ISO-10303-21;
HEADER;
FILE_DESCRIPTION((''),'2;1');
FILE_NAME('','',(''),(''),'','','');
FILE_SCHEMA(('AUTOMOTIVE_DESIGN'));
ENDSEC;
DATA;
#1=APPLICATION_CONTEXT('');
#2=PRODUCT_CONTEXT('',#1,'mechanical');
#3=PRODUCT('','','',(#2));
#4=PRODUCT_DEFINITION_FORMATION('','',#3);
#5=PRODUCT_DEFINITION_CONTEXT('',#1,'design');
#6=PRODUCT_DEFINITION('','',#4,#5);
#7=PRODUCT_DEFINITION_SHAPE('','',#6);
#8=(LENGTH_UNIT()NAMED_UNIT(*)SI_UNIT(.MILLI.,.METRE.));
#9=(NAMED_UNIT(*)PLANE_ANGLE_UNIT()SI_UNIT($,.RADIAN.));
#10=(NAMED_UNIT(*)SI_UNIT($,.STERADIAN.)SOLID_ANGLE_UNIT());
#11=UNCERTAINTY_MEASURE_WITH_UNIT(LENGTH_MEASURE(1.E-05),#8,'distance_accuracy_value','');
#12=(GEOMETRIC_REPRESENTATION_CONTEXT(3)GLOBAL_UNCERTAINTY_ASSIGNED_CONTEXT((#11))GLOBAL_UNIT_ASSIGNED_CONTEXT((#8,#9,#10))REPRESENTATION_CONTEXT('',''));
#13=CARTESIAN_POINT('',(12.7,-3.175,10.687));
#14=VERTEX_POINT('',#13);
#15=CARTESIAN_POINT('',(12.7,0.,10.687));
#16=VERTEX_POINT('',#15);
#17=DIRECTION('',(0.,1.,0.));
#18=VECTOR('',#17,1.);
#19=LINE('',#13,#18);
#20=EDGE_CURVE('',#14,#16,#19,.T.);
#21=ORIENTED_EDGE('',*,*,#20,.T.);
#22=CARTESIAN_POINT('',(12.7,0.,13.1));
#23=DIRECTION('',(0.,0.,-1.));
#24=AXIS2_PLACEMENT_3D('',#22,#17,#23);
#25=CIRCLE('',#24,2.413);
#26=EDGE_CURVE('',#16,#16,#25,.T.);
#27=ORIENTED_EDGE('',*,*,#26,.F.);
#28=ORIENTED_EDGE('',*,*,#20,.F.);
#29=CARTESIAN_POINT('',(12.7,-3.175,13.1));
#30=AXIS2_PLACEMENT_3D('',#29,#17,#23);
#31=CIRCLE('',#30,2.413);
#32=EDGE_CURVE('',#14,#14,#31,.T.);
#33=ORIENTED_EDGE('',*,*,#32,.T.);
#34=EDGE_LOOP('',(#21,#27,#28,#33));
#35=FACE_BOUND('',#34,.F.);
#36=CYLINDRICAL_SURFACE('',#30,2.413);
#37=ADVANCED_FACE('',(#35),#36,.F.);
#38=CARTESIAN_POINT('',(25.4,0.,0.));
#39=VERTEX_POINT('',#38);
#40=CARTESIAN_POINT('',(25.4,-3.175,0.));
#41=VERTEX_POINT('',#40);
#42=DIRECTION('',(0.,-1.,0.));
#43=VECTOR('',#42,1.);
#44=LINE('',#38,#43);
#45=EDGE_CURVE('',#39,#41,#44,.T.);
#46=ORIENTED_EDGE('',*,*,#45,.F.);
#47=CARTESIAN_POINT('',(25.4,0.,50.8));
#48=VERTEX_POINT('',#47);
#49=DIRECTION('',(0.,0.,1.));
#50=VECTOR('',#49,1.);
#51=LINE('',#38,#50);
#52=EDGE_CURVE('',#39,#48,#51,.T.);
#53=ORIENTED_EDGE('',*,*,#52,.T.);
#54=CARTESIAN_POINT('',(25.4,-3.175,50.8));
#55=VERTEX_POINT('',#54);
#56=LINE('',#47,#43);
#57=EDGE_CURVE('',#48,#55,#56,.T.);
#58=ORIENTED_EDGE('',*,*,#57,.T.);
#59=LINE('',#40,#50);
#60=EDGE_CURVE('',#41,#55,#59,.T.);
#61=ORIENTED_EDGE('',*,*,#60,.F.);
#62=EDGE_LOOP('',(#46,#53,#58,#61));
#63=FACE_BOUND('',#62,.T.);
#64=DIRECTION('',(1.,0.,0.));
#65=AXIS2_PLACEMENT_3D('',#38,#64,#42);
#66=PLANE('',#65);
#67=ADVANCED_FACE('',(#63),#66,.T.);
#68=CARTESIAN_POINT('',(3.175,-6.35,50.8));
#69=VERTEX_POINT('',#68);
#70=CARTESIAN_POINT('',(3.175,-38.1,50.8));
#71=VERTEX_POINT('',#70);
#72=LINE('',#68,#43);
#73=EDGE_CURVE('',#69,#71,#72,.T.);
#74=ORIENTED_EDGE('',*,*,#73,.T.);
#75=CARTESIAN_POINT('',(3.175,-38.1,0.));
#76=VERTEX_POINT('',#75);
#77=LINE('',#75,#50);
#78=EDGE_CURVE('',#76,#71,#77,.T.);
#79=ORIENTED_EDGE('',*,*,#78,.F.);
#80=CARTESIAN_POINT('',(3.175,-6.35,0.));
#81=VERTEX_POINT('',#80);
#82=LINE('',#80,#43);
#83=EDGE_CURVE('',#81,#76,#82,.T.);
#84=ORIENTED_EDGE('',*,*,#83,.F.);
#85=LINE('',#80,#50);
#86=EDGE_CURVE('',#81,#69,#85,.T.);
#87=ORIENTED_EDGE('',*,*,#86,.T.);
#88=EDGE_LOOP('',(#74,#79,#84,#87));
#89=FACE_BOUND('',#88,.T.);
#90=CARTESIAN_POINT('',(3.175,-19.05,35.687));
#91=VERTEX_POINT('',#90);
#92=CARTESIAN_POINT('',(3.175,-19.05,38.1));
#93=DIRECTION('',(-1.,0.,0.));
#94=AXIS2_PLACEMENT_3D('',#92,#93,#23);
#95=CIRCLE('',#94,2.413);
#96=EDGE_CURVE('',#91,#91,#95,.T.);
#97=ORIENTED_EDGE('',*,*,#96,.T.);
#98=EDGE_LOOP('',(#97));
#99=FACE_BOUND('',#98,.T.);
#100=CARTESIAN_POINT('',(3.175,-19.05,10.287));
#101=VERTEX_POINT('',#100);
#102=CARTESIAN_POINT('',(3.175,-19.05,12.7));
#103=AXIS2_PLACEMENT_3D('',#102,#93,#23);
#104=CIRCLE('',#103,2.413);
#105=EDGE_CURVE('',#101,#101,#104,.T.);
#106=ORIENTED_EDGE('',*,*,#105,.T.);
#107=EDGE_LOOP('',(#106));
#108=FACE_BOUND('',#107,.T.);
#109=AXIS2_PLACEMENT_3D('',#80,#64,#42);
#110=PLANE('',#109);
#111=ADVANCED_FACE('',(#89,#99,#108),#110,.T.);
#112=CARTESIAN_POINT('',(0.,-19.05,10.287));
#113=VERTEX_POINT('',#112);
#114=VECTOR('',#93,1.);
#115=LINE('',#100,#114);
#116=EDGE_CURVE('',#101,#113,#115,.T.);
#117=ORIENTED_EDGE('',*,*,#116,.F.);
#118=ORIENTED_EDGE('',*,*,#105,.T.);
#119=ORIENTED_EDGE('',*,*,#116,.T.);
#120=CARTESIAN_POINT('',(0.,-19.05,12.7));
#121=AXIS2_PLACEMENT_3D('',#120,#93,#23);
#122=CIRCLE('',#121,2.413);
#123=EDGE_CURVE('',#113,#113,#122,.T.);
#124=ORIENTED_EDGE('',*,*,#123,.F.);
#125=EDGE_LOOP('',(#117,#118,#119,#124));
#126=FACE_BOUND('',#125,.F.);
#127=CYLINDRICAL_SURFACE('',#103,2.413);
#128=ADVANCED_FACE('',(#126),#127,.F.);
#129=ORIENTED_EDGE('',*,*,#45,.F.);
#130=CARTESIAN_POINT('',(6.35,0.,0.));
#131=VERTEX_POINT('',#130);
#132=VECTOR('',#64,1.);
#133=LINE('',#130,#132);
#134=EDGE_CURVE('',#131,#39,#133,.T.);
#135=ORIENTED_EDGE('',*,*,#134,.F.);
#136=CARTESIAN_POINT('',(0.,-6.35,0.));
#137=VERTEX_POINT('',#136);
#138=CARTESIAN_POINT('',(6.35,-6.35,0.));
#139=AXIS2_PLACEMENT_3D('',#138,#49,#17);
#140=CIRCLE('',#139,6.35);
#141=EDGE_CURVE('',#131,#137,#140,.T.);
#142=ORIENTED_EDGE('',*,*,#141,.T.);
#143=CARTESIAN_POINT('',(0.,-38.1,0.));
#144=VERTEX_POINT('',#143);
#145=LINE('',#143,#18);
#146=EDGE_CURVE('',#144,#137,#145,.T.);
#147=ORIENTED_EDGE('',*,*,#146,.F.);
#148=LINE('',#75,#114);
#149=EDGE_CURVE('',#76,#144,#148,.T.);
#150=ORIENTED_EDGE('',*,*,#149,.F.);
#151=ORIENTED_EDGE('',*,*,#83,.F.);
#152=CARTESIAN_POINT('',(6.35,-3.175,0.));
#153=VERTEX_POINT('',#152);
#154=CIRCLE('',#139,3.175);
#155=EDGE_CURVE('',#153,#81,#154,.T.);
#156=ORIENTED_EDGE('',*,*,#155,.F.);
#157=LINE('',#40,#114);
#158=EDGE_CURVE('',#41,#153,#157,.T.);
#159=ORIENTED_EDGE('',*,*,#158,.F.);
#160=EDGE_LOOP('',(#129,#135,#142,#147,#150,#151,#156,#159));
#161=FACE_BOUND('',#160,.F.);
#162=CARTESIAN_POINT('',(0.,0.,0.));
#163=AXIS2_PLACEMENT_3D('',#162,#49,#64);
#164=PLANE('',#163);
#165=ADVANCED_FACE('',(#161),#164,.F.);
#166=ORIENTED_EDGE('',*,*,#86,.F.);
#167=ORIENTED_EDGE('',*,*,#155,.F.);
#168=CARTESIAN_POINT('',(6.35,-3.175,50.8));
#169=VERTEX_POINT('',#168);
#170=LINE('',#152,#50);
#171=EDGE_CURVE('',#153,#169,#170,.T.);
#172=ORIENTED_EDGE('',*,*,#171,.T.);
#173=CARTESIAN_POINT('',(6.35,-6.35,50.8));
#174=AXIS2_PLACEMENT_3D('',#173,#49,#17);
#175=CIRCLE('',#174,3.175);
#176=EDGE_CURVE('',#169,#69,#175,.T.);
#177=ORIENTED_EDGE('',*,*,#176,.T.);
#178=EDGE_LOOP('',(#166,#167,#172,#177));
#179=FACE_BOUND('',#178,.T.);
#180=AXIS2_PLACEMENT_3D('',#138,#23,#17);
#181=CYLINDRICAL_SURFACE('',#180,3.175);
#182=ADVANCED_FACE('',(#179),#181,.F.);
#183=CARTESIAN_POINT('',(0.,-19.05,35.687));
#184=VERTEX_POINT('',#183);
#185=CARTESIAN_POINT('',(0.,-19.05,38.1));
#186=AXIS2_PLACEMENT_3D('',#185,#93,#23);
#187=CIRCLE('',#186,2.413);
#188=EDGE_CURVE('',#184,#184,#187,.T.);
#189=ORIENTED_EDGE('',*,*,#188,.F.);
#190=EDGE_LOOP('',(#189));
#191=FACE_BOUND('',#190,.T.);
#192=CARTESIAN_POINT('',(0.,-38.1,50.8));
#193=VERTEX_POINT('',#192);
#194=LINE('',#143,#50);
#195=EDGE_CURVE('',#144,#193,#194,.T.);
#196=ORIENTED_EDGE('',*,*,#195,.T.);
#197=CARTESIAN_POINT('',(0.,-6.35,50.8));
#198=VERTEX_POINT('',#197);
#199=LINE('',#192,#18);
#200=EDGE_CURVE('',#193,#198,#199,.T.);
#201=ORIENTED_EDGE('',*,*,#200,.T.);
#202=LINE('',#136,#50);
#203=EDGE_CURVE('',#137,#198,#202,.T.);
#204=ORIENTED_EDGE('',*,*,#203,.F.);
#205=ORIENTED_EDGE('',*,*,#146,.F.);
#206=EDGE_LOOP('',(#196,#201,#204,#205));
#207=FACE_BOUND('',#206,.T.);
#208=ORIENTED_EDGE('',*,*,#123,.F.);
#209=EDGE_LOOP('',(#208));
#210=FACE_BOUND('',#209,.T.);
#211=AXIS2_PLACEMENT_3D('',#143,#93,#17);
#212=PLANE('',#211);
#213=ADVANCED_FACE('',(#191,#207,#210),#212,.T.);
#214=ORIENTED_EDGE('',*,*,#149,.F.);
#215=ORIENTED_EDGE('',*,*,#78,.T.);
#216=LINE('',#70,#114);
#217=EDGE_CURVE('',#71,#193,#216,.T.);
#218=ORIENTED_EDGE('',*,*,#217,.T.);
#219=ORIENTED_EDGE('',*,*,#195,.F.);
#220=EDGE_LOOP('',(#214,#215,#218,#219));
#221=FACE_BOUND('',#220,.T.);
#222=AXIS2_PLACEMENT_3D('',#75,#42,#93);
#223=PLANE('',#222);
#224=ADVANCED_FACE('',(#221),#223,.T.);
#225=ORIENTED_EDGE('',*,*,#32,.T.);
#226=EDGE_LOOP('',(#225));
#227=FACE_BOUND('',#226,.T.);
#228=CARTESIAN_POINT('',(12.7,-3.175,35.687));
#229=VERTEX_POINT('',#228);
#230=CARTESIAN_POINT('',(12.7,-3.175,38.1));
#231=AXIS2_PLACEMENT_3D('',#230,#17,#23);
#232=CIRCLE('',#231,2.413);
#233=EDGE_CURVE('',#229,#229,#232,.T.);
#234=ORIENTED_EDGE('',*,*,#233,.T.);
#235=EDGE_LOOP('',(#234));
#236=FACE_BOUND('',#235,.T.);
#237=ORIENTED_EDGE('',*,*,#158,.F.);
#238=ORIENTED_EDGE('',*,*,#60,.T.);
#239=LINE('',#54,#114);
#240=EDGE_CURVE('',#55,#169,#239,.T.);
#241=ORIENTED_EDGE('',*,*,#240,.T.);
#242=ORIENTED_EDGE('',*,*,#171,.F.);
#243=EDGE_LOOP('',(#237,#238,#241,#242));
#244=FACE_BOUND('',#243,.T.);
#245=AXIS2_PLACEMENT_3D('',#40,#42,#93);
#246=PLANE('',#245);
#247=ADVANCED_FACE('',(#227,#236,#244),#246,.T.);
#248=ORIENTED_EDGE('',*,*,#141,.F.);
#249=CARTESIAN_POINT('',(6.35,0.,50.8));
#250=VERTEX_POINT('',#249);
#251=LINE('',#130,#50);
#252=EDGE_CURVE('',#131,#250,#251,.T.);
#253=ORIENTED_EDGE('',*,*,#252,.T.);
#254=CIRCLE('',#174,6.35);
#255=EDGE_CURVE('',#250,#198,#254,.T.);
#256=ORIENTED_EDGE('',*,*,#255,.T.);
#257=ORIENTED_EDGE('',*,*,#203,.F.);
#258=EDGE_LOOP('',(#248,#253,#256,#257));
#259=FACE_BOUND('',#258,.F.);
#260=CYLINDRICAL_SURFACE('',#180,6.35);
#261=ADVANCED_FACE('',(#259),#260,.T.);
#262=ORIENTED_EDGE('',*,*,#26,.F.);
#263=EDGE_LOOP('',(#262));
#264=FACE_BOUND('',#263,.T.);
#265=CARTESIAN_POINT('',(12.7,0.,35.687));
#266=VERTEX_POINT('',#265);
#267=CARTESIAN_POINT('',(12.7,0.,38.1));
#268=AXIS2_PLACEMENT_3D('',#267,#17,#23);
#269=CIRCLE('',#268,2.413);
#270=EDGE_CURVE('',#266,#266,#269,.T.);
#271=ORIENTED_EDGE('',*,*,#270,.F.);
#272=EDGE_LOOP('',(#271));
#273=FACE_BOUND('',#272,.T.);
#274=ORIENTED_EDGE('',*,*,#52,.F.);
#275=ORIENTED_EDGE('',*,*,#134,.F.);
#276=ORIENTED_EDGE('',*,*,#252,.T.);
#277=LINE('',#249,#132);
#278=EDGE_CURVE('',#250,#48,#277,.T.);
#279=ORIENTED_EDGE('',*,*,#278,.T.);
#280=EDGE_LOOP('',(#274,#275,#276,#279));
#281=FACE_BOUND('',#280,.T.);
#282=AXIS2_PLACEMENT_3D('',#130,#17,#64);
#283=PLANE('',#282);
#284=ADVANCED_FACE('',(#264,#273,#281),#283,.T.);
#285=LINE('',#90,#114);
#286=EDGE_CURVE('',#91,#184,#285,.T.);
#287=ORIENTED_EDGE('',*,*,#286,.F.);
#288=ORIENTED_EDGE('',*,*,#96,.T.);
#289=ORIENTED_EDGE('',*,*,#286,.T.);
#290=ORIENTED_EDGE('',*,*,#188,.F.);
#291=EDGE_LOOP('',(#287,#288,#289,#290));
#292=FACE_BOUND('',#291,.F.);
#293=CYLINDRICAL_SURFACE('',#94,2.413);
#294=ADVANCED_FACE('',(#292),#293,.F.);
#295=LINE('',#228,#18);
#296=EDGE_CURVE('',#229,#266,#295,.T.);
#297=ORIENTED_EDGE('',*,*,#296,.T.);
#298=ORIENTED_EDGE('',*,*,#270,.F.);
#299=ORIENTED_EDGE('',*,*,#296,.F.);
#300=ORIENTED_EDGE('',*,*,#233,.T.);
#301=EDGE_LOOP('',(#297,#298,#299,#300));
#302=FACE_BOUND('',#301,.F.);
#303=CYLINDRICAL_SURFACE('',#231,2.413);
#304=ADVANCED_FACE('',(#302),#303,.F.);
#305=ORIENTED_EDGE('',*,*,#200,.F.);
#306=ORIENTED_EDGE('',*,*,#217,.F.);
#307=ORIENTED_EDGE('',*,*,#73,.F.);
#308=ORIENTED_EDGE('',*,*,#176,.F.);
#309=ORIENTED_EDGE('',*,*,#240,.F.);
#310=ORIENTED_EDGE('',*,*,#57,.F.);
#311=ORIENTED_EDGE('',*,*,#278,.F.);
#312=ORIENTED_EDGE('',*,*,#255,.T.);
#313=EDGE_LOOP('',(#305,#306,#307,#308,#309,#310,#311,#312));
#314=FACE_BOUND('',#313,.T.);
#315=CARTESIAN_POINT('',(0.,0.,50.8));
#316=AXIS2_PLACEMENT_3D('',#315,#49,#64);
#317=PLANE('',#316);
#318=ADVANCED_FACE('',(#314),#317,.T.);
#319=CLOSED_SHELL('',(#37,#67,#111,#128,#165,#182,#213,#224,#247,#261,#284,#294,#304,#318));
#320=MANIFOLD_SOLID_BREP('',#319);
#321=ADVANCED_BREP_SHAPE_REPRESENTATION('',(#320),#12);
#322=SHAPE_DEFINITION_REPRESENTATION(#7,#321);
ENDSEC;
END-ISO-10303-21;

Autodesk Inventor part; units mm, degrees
ref_plane "YZ Plane" through (0, 0, 0) normal (1, 0, 0) x (0, 1, 0)
ref_plane "XZ Plane" through (0, 0, 0) normal (0, 1, 0) x (-1, 0, 0)
ref_plane "XY Plane" through (0, 0, 0) normal (0, 0, 1) x (1, 0, 0)
sketch "Sketch1" plane through (0, 0, 0) normal (0, 0, 1) x (1, 0, 0)
  line L0 (6.35, 0) -> (25.4, 0)
  line L1 (25.4, 0) -> (25.4, -3.175)
  line L2 (25.4, -3.175) -> (6.35, -3.175)
  line L3 (3.175, -6.35) -> (3.175, -38.1)
  line L4 (3.175, -38.1) -> (0, -38.1)
  line L5 (0, -38.1) -> (0, -6.35)
  arc A0 (6.35, -3.175) -> (3.175, -6.35) centre (6.35, -6.35) ccw
  arc A1 (6.35, 0) -> (0, -6.35) centre (6.35, -6.35) ccw
  point P0 (0, 0)
  dimension "d0" = 3.175
  dimension "d1" = 38.1
  dimension "d2" = 3.175
  dimension "d3" = 6.35
  dimension "d6" = 25.4
extrude "Extrusion1" add sketch "Sketch1" along normal blind 50.8
hole "Hole1" at (12.7, -3.175, 38.1) direction (0, 1, 0) diameter 4.826 depth 25.4 tip angle 118
pattern_linear "Rectangular Pattern1" count 2 spacing 25 along (0, 0, -1) of "Hole1"
hole "Hole2" at (3.175, -19.05, 38.1) direction (-1, 0, 0) diameter 4.826 depth 25.4 tip angle 118
pattern_linear "Rectangular Pattern2" count 2 spacing 25.4 along (0, 0, -1) of "Hole2"
properties part number "GE-12061"
